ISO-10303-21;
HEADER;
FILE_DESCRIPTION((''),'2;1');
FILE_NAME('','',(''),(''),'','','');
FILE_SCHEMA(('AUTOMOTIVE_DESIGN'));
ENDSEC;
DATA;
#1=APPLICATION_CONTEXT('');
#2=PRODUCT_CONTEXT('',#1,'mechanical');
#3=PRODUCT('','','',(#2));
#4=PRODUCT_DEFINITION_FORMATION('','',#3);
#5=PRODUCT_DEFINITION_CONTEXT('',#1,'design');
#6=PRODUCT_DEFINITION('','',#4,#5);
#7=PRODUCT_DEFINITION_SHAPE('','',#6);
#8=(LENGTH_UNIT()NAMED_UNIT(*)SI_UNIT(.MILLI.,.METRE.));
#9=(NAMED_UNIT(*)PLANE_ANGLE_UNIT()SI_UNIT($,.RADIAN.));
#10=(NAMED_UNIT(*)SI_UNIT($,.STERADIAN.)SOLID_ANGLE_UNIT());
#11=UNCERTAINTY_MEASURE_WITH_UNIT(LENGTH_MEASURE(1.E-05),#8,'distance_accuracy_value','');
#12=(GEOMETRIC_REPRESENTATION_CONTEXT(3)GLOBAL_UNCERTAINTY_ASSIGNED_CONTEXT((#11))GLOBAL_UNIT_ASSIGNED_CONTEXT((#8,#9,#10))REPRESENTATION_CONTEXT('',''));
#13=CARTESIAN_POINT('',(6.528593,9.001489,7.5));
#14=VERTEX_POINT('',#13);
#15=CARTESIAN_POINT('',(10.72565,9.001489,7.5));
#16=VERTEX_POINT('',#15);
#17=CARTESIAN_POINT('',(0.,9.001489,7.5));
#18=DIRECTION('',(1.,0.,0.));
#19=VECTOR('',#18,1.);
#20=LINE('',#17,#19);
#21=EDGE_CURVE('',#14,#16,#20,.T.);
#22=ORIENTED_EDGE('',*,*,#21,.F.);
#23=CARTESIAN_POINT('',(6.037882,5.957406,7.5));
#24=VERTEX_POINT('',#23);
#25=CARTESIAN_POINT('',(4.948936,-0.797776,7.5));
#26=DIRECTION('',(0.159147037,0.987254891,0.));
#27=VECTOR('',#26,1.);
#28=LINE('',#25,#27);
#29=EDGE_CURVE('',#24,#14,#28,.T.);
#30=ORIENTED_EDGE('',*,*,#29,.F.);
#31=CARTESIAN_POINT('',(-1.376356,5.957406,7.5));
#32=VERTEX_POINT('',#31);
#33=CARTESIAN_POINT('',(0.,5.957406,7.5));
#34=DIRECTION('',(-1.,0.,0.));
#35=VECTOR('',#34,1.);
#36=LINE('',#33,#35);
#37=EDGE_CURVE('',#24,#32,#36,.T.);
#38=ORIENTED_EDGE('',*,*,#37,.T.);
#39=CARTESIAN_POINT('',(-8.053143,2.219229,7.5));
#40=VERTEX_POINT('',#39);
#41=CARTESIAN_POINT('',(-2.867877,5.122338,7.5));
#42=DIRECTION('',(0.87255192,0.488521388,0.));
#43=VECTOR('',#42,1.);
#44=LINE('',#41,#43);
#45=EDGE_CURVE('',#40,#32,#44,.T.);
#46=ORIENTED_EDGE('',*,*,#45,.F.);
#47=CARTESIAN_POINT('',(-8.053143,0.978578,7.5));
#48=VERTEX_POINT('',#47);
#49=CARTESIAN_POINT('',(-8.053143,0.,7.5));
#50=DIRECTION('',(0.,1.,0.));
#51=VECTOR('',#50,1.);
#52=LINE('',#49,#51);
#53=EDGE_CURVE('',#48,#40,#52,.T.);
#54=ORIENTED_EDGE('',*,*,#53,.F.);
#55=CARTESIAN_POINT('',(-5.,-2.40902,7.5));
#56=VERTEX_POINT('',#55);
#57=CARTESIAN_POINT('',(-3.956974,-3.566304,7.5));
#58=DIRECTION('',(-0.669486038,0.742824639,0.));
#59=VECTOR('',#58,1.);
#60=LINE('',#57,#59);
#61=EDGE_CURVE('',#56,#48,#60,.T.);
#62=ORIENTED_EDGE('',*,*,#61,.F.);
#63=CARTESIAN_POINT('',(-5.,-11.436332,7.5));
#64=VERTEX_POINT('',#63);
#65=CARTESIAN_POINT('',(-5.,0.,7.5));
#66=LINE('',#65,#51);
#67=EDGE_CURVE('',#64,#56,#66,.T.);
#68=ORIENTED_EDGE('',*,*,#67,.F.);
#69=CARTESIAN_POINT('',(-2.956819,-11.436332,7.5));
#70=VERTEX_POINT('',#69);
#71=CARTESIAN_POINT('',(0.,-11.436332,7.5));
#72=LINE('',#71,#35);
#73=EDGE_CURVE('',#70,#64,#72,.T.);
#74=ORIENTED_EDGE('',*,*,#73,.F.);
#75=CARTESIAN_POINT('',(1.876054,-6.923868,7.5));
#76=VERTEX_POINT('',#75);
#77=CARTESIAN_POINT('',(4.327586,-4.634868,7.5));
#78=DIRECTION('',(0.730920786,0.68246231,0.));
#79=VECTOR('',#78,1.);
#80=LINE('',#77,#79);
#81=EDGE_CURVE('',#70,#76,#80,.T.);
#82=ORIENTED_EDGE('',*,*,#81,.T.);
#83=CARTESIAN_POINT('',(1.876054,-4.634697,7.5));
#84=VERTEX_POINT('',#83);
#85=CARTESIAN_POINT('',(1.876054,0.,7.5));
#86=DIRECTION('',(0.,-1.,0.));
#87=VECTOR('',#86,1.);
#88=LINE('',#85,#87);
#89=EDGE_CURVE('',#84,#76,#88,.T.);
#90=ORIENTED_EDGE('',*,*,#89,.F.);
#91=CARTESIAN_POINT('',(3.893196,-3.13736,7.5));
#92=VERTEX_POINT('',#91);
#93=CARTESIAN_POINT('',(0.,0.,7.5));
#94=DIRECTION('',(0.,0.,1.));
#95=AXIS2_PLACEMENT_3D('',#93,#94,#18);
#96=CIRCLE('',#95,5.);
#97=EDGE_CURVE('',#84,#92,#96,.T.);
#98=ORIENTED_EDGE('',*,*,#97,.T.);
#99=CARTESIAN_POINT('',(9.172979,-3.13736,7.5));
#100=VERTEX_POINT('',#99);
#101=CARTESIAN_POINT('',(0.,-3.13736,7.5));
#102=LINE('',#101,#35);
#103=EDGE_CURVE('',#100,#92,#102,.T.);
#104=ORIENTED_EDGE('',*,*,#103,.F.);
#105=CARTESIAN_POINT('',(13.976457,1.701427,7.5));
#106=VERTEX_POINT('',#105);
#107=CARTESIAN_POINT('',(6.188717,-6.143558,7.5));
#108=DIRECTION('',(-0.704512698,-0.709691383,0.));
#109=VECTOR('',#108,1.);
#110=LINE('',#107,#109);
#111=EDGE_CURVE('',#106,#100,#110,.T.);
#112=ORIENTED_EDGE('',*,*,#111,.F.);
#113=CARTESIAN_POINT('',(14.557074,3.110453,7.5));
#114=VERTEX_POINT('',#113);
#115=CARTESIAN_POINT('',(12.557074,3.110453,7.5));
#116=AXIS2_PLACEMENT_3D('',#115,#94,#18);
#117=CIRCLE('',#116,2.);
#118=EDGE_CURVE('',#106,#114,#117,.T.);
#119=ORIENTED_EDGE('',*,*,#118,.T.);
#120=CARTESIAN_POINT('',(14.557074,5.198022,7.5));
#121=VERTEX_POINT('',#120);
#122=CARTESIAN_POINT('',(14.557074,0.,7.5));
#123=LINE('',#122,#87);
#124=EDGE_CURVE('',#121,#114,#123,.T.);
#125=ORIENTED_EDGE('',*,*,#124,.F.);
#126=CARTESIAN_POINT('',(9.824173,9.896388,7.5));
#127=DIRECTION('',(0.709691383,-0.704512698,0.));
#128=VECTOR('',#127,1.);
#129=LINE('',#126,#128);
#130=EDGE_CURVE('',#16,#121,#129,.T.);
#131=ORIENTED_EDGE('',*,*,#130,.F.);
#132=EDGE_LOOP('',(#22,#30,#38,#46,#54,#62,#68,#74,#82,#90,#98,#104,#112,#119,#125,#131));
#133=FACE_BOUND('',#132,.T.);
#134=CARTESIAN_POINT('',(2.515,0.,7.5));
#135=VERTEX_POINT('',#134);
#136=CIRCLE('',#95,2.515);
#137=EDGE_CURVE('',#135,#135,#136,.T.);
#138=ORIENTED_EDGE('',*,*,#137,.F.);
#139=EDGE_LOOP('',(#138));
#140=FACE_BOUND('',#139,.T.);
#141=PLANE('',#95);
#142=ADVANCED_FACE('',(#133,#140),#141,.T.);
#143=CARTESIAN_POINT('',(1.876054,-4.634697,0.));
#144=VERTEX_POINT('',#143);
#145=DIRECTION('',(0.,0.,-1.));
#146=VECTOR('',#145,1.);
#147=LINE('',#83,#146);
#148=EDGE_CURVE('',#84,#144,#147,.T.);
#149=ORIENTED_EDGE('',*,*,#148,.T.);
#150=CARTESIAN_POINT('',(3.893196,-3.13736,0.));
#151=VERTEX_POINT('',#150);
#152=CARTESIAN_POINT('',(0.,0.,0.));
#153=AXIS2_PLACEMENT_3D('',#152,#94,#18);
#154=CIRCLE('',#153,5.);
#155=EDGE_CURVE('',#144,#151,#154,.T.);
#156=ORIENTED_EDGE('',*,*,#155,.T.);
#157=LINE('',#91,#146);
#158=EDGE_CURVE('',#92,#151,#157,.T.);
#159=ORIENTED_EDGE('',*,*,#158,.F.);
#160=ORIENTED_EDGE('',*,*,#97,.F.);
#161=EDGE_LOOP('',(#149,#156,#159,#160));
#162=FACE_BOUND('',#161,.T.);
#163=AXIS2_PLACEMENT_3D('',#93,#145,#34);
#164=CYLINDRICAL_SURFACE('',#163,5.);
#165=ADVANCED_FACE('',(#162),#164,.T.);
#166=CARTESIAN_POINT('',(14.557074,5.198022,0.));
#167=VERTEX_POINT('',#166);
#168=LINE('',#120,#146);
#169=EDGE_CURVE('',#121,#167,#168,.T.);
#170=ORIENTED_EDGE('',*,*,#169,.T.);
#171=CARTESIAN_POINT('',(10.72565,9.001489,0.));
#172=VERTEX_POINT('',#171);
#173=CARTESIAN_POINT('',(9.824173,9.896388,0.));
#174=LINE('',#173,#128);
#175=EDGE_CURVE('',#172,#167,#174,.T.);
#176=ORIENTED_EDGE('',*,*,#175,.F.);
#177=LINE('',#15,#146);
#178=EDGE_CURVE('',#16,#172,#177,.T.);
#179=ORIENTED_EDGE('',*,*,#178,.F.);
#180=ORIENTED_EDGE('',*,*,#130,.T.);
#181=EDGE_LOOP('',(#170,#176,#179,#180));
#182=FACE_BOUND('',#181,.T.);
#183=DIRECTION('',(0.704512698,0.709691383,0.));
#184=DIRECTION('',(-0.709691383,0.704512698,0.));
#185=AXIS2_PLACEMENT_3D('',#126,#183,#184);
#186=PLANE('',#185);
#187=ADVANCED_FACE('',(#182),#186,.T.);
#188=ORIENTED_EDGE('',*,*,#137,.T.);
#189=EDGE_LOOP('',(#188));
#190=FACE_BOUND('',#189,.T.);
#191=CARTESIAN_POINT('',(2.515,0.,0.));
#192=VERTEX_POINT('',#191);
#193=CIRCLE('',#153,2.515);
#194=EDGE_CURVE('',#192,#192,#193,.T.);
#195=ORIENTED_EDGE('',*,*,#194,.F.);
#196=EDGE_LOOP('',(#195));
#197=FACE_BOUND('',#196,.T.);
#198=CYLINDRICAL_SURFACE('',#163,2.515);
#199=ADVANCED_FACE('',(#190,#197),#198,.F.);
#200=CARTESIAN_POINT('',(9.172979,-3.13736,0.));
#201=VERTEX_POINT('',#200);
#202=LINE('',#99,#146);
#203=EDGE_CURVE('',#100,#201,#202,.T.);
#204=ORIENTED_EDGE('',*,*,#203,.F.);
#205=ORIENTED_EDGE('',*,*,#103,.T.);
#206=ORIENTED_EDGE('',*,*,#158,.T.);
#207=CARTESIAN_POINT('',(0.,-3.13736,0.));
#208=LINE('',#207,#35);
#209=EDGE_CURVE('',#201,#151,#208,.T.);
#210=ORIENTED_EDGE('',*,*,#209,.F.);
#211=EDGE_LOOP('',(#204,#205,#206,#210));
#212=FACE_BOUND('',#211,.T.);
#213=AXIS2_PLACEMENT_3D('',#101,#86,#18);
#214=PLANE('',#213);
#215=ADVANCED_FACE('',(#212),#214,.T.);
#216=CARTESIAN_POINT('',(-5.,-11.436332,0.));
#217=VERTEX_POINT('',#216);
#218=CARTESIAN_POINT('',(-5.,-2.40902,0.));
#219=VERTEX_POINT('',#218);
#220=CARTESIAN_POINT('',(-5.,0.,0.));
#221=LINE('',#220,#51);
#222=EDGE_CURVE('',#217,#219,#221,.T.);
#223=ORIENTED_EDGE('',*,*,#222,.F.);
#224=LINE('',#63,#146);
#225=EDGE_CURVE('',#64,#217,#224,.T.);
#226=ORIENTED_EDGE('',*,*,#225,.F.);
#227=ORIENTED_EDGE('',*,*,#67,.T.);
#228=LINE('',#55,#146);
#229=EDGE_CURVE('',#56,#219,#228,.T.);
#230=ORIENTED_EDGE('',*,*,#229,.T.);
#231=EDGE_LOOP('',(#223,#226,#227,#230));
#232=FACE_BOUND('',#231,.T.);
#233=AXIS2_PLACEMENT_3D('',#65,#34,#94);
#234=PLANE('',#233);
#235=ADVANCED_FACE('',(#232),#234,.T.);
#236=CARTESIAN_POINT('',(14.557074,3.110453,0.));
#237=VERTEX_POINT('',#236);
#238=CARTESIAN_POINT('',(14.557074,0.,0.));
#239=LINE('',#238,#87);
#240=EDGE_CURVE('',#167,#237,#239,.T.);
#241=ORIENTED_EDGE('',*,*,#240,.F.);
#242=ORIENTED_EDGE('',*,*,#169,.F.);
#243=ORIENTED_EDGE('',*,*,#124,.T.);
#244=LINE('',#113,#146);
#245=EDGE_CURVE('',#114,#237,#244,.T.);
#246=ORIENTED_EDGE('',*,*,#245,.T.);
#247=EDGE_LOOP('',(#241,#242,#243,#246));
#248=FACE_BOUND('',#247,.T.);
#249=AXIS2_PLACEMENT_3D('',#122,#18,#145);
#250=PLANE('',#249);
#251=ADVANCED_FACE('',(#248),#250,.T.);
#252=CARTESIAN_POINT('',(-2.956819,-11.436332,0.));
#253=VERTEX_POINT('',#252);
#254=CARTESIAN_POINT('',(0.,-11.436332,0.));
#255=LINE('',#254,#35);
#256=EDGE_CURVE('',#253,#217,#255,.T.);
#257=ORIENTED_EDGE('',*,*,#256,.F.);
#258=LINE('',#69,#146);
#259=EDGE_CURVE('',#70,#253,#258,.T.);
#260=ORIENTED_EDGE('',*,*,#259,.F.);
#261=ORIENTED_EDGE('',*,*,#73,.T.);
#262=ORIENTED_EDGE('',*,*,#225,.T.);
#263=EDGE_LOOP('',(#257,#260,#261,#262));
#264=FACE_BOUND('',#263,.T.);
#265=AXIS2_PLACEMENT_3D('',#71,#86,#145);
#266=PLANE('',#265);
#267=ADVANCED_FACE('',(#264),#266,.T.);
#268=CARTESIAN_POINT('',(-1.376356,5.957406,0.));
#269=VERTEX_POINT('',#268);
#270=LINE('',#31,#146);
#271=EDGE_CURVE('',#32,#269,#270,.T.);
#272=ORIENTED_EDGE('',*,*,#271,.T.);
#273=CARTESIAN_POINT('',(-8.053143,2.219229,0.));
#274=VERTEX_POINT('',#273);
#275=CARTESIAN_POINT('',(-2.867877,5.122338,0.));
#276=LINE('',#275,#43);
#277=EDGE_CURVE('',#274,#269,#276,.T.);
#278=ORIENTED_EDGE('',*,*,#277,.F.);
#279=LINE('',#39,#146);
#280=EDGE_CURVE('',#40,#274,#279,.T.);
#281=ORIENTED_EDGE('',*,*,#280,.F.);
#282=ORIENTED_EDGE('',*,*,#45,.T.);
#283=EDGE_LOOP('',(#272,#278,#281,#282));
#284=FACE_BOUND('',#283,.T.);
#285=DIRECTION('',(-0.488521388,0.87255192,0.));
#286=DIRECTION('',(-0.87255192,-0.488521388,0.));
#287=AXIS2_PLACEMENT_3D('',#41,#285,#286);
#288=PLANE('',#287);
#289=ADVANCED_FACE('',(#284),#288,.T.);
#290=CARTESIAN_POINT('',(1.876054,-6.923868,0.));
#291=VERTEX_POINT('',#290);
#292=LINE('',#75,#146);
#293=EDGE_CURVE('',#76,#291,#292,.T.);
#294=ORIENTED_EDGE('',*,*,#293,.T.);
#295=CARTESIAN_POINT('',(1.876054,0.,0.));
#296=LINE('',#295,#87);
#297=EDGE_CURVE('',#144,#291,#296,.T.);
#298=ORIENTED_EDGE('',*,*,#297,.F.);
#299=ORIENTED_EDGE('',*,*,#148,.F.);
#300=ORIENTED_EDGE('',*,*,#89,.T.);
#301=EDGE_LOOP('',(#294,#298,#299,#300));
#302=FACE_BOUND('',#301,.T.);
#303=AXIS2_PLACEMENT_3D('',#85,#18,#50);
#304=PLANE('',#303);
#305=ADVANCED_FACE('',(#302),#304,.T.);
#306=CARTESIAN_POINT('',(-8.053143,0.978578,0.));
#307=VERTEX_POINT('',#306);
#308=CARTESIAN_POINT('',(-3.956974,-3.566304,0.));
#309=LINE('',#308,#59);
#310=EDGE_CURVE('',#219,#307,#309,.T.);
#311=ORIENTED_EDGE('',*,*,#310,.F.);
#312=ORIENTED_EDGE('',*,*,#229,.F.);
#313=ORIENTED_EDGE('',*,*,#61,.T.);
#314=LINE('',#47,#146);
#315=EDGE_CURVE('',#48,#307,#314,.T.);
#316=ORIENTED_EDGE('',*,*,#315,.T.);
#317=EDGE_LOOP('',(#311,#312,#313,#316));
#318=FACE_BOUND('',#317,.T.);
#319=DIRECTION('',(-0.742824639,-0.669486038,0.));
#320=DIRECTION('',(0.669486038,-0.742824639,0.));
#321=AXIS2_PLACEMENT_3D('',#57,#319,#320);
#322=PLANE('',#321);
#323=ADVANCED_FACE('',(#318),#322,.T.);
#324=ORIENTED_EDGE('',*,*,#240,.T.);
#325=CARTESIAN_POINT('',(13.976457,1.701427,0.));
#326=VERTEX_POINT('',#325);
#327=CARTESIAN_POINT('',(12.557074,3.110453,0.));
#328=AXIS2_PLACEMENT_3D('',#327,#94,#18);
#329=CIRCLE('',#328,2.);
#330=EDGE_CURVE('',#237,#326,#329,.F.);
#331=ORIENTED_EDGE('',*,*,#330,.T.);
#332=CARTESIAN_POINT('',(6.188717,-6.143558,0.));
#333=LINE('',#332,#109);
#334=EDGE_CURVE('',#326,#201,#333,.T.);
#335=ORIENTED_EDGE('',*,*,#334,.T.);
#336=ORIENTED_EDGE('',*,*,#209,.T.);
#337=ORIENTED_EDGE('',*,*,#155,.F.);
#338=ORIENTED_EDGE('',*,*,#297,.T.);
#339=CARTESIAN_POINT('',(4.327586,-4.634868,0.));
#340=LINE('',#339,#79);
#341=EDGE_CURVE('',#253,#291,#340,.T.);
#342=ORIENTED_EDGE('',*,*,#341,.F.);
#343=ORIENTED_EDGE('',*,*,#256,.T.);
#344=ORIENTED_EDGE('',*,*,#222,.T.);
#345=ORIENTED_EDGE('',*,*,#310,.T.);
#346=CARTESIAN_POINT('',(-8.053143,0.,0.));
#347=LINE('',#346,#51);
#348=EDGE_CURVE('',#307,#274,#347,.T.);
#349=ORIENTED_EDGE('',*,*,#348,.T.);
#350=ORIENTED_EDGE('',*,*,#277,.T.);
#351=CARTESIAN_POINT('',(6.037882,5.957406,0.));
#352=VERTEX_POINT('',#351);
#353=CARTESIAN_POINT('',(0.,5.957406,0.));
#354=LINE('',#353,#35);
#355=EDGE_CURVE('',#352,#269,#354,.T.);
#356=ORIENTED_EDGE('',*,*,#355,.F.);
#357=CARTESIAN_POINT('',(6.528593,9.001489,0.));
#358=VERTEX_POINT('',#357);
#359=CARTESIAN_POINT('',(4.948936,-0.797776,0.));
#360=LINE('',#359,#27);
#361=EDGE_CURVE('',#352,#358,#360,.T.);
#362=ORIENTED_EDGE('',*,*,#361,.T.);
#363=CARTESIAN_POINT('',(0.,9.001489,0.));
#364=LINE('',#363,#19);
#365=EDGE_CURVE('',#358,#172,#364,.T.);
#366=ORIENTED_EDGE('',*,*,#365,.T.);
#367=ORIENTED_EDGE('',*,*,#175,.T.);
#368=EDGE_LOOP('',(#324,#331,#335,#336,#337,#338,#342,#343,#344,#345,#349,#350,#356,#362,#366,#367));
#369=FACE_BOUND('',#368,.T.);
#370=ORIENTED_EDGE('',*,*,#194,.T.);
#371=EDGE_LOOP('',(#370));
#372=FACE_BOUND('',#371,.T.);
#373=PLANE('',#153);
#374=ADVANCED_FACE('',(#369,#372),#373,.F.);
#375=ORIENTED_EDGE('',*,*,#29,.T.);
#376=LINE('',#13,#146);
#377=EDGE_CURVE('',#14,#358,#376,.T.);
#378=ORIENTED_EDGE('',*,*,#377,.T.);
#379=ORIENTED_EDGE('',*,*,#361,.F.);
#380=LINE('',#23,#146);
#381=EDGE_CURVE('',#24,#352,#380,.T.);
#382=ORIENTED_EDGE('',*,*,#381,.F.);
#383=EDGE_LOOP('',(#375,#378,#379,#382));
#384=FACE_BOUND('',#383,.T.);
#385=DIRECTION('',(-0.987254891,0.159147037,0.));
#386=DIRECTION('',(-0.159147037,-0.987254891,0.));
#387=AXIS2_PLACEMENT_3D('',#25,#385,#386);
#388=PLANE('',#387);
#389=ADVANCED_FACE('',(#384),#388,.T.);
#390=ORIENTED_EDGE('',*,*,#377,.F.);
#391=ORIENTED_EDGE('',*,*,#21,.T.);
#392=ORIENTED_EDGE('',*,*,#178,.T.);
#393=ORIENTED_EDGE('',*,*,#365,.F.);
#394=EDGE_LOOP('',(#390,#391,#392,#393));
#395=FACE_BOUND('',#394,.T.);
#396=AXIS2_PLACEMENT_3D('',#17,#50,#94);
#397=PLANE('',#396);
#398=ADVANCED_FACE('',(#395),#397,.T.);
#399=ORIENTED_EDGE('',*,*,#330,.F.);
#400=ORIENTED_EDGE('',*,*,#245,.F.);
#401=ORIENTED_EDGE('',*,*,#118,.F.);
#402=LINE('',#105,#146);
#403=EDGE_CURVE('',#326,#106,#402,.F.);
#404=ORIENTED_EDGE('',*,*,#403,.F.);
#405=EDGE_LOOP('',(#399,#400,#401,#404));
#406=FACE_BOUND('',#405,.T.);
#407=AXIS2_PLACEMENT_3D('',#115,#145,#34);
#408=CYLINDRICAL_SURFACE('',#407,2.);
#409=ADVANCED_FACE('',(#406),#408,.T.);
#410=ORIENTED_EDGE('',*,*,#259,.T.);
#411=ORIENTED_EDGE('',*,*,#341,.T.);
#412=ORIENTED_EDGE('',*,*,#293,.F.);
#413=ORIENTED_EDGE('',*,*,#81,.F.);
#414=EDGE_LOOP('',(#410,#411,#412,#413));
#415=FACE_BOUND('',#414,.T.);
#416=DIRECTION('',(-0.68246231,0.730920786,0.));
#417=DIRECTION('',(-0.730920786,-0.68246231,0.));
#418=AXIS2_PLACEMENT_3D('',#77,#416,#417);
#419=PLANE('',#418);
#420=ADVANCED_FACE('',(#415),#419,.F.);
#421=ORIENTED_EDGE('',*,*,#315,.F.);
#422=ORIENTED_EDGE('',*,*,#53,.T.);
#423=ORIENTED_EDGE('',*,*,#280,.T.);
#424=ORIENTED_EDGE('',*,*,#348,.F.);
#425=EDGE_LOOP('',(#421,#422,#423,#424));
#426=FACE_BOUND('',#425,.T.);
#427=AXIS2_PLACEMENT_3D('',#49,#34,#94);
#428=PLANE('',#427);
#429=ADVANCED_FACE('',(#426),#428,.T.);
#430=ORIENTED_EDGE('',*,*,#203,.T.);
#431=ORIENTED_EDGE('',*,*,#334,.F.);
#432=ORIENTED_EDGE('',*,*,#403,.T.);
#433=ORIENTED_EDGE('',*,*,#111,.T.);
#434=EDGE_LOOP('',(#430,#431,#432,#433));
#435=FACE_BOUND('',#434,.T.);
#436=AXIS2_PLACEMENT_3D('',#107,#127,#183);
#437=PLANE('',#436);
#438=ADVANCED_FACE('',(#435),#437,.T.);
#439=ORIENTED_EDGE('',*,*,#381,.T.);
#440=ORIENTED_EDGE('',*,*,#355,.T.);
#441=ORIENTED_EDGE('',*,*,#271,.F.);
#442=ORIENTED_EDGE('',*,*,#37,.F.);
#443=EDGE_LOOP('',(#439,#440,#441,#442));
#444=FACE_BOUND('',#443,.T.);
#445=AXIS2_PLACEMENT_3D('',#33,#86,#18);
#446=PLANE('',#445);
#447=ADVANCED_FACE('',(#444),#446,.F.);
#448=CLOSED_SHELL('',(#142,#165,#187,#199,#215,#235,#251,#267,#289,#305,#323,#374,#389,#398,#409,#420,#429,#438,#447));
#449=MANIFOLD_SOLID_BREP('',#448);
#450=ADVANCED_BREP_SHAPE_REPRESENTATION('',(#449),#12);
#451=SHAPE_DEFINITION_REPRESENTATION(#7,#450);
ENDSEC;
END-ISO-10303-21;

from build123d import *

# Parameters (mm, degrees)
SKETCH_1_R      = 2.515
EXTRUDE_1_DEPTH = 7.5
FILLET_1_R      = 2


with BuildPart() as part:
    # 스케치1 → 보스-돌출1 (new body)
    with BuildSketch(Plane.XY):
        with BuildLine():
            Line((-8.053143001, 0.978578295), (-5, -2.40902013))
            Line((-5, -2.40902013), (-5, -11.436332264))
            Line((-5, -11.436332264), (-2.956819065, -11.436332264))
            Line((-2.956819065, -11.436332264), (1.87605446, -6.923867857))
            Line((1.87605446, -6.923867857), (1.87605446, -4.634697365))
            ThreePointArc((1.87605446, -4.634697365), (2.980195691, -4.014776911), (3.893195608, -3.13736003))
            Line((3.893195608, -3.13736003), (9.172978659, -3.13736003))
            Line((9.172978659, -3.13736003), (14.557074242, 2.286312605))
            Line((14.557074242, 2.286312605), (14.557074242, 5.198022376))
            Line((14.557074242, 5.198022376), (10.725649804, 9.001488547))
            Line((10.725649804, 9.001488547), (6.528593017, 9.001488547))
            Line((6.528593017, 9.001488547), (6.037882178, 5.957406269))
            Line((6.037882178, 5.957406269), (-1.376355668, 5.957406269))
            Line((-1.376355668, 5.957406269), (-8.053143001, 2.219229384))
            Line((-8.053143001, 2.219229384), (-8.053143001, 0.978578295))
        make_face()
        Circle(SKETCH_1_R, mode=Mode.SUBTRACT)
    extrude(amount=EXTRUDE_1_DEPTH)

    # 필렛1
    fillet_1_edges = [part.edges().sort_by_distance(p)[0] for p in [
        (14.557074242, 2.286312605, 3.75),
    ]]
    fillet(fillet_1_edges, radius=FILLET_1_R)


solid = part.part
